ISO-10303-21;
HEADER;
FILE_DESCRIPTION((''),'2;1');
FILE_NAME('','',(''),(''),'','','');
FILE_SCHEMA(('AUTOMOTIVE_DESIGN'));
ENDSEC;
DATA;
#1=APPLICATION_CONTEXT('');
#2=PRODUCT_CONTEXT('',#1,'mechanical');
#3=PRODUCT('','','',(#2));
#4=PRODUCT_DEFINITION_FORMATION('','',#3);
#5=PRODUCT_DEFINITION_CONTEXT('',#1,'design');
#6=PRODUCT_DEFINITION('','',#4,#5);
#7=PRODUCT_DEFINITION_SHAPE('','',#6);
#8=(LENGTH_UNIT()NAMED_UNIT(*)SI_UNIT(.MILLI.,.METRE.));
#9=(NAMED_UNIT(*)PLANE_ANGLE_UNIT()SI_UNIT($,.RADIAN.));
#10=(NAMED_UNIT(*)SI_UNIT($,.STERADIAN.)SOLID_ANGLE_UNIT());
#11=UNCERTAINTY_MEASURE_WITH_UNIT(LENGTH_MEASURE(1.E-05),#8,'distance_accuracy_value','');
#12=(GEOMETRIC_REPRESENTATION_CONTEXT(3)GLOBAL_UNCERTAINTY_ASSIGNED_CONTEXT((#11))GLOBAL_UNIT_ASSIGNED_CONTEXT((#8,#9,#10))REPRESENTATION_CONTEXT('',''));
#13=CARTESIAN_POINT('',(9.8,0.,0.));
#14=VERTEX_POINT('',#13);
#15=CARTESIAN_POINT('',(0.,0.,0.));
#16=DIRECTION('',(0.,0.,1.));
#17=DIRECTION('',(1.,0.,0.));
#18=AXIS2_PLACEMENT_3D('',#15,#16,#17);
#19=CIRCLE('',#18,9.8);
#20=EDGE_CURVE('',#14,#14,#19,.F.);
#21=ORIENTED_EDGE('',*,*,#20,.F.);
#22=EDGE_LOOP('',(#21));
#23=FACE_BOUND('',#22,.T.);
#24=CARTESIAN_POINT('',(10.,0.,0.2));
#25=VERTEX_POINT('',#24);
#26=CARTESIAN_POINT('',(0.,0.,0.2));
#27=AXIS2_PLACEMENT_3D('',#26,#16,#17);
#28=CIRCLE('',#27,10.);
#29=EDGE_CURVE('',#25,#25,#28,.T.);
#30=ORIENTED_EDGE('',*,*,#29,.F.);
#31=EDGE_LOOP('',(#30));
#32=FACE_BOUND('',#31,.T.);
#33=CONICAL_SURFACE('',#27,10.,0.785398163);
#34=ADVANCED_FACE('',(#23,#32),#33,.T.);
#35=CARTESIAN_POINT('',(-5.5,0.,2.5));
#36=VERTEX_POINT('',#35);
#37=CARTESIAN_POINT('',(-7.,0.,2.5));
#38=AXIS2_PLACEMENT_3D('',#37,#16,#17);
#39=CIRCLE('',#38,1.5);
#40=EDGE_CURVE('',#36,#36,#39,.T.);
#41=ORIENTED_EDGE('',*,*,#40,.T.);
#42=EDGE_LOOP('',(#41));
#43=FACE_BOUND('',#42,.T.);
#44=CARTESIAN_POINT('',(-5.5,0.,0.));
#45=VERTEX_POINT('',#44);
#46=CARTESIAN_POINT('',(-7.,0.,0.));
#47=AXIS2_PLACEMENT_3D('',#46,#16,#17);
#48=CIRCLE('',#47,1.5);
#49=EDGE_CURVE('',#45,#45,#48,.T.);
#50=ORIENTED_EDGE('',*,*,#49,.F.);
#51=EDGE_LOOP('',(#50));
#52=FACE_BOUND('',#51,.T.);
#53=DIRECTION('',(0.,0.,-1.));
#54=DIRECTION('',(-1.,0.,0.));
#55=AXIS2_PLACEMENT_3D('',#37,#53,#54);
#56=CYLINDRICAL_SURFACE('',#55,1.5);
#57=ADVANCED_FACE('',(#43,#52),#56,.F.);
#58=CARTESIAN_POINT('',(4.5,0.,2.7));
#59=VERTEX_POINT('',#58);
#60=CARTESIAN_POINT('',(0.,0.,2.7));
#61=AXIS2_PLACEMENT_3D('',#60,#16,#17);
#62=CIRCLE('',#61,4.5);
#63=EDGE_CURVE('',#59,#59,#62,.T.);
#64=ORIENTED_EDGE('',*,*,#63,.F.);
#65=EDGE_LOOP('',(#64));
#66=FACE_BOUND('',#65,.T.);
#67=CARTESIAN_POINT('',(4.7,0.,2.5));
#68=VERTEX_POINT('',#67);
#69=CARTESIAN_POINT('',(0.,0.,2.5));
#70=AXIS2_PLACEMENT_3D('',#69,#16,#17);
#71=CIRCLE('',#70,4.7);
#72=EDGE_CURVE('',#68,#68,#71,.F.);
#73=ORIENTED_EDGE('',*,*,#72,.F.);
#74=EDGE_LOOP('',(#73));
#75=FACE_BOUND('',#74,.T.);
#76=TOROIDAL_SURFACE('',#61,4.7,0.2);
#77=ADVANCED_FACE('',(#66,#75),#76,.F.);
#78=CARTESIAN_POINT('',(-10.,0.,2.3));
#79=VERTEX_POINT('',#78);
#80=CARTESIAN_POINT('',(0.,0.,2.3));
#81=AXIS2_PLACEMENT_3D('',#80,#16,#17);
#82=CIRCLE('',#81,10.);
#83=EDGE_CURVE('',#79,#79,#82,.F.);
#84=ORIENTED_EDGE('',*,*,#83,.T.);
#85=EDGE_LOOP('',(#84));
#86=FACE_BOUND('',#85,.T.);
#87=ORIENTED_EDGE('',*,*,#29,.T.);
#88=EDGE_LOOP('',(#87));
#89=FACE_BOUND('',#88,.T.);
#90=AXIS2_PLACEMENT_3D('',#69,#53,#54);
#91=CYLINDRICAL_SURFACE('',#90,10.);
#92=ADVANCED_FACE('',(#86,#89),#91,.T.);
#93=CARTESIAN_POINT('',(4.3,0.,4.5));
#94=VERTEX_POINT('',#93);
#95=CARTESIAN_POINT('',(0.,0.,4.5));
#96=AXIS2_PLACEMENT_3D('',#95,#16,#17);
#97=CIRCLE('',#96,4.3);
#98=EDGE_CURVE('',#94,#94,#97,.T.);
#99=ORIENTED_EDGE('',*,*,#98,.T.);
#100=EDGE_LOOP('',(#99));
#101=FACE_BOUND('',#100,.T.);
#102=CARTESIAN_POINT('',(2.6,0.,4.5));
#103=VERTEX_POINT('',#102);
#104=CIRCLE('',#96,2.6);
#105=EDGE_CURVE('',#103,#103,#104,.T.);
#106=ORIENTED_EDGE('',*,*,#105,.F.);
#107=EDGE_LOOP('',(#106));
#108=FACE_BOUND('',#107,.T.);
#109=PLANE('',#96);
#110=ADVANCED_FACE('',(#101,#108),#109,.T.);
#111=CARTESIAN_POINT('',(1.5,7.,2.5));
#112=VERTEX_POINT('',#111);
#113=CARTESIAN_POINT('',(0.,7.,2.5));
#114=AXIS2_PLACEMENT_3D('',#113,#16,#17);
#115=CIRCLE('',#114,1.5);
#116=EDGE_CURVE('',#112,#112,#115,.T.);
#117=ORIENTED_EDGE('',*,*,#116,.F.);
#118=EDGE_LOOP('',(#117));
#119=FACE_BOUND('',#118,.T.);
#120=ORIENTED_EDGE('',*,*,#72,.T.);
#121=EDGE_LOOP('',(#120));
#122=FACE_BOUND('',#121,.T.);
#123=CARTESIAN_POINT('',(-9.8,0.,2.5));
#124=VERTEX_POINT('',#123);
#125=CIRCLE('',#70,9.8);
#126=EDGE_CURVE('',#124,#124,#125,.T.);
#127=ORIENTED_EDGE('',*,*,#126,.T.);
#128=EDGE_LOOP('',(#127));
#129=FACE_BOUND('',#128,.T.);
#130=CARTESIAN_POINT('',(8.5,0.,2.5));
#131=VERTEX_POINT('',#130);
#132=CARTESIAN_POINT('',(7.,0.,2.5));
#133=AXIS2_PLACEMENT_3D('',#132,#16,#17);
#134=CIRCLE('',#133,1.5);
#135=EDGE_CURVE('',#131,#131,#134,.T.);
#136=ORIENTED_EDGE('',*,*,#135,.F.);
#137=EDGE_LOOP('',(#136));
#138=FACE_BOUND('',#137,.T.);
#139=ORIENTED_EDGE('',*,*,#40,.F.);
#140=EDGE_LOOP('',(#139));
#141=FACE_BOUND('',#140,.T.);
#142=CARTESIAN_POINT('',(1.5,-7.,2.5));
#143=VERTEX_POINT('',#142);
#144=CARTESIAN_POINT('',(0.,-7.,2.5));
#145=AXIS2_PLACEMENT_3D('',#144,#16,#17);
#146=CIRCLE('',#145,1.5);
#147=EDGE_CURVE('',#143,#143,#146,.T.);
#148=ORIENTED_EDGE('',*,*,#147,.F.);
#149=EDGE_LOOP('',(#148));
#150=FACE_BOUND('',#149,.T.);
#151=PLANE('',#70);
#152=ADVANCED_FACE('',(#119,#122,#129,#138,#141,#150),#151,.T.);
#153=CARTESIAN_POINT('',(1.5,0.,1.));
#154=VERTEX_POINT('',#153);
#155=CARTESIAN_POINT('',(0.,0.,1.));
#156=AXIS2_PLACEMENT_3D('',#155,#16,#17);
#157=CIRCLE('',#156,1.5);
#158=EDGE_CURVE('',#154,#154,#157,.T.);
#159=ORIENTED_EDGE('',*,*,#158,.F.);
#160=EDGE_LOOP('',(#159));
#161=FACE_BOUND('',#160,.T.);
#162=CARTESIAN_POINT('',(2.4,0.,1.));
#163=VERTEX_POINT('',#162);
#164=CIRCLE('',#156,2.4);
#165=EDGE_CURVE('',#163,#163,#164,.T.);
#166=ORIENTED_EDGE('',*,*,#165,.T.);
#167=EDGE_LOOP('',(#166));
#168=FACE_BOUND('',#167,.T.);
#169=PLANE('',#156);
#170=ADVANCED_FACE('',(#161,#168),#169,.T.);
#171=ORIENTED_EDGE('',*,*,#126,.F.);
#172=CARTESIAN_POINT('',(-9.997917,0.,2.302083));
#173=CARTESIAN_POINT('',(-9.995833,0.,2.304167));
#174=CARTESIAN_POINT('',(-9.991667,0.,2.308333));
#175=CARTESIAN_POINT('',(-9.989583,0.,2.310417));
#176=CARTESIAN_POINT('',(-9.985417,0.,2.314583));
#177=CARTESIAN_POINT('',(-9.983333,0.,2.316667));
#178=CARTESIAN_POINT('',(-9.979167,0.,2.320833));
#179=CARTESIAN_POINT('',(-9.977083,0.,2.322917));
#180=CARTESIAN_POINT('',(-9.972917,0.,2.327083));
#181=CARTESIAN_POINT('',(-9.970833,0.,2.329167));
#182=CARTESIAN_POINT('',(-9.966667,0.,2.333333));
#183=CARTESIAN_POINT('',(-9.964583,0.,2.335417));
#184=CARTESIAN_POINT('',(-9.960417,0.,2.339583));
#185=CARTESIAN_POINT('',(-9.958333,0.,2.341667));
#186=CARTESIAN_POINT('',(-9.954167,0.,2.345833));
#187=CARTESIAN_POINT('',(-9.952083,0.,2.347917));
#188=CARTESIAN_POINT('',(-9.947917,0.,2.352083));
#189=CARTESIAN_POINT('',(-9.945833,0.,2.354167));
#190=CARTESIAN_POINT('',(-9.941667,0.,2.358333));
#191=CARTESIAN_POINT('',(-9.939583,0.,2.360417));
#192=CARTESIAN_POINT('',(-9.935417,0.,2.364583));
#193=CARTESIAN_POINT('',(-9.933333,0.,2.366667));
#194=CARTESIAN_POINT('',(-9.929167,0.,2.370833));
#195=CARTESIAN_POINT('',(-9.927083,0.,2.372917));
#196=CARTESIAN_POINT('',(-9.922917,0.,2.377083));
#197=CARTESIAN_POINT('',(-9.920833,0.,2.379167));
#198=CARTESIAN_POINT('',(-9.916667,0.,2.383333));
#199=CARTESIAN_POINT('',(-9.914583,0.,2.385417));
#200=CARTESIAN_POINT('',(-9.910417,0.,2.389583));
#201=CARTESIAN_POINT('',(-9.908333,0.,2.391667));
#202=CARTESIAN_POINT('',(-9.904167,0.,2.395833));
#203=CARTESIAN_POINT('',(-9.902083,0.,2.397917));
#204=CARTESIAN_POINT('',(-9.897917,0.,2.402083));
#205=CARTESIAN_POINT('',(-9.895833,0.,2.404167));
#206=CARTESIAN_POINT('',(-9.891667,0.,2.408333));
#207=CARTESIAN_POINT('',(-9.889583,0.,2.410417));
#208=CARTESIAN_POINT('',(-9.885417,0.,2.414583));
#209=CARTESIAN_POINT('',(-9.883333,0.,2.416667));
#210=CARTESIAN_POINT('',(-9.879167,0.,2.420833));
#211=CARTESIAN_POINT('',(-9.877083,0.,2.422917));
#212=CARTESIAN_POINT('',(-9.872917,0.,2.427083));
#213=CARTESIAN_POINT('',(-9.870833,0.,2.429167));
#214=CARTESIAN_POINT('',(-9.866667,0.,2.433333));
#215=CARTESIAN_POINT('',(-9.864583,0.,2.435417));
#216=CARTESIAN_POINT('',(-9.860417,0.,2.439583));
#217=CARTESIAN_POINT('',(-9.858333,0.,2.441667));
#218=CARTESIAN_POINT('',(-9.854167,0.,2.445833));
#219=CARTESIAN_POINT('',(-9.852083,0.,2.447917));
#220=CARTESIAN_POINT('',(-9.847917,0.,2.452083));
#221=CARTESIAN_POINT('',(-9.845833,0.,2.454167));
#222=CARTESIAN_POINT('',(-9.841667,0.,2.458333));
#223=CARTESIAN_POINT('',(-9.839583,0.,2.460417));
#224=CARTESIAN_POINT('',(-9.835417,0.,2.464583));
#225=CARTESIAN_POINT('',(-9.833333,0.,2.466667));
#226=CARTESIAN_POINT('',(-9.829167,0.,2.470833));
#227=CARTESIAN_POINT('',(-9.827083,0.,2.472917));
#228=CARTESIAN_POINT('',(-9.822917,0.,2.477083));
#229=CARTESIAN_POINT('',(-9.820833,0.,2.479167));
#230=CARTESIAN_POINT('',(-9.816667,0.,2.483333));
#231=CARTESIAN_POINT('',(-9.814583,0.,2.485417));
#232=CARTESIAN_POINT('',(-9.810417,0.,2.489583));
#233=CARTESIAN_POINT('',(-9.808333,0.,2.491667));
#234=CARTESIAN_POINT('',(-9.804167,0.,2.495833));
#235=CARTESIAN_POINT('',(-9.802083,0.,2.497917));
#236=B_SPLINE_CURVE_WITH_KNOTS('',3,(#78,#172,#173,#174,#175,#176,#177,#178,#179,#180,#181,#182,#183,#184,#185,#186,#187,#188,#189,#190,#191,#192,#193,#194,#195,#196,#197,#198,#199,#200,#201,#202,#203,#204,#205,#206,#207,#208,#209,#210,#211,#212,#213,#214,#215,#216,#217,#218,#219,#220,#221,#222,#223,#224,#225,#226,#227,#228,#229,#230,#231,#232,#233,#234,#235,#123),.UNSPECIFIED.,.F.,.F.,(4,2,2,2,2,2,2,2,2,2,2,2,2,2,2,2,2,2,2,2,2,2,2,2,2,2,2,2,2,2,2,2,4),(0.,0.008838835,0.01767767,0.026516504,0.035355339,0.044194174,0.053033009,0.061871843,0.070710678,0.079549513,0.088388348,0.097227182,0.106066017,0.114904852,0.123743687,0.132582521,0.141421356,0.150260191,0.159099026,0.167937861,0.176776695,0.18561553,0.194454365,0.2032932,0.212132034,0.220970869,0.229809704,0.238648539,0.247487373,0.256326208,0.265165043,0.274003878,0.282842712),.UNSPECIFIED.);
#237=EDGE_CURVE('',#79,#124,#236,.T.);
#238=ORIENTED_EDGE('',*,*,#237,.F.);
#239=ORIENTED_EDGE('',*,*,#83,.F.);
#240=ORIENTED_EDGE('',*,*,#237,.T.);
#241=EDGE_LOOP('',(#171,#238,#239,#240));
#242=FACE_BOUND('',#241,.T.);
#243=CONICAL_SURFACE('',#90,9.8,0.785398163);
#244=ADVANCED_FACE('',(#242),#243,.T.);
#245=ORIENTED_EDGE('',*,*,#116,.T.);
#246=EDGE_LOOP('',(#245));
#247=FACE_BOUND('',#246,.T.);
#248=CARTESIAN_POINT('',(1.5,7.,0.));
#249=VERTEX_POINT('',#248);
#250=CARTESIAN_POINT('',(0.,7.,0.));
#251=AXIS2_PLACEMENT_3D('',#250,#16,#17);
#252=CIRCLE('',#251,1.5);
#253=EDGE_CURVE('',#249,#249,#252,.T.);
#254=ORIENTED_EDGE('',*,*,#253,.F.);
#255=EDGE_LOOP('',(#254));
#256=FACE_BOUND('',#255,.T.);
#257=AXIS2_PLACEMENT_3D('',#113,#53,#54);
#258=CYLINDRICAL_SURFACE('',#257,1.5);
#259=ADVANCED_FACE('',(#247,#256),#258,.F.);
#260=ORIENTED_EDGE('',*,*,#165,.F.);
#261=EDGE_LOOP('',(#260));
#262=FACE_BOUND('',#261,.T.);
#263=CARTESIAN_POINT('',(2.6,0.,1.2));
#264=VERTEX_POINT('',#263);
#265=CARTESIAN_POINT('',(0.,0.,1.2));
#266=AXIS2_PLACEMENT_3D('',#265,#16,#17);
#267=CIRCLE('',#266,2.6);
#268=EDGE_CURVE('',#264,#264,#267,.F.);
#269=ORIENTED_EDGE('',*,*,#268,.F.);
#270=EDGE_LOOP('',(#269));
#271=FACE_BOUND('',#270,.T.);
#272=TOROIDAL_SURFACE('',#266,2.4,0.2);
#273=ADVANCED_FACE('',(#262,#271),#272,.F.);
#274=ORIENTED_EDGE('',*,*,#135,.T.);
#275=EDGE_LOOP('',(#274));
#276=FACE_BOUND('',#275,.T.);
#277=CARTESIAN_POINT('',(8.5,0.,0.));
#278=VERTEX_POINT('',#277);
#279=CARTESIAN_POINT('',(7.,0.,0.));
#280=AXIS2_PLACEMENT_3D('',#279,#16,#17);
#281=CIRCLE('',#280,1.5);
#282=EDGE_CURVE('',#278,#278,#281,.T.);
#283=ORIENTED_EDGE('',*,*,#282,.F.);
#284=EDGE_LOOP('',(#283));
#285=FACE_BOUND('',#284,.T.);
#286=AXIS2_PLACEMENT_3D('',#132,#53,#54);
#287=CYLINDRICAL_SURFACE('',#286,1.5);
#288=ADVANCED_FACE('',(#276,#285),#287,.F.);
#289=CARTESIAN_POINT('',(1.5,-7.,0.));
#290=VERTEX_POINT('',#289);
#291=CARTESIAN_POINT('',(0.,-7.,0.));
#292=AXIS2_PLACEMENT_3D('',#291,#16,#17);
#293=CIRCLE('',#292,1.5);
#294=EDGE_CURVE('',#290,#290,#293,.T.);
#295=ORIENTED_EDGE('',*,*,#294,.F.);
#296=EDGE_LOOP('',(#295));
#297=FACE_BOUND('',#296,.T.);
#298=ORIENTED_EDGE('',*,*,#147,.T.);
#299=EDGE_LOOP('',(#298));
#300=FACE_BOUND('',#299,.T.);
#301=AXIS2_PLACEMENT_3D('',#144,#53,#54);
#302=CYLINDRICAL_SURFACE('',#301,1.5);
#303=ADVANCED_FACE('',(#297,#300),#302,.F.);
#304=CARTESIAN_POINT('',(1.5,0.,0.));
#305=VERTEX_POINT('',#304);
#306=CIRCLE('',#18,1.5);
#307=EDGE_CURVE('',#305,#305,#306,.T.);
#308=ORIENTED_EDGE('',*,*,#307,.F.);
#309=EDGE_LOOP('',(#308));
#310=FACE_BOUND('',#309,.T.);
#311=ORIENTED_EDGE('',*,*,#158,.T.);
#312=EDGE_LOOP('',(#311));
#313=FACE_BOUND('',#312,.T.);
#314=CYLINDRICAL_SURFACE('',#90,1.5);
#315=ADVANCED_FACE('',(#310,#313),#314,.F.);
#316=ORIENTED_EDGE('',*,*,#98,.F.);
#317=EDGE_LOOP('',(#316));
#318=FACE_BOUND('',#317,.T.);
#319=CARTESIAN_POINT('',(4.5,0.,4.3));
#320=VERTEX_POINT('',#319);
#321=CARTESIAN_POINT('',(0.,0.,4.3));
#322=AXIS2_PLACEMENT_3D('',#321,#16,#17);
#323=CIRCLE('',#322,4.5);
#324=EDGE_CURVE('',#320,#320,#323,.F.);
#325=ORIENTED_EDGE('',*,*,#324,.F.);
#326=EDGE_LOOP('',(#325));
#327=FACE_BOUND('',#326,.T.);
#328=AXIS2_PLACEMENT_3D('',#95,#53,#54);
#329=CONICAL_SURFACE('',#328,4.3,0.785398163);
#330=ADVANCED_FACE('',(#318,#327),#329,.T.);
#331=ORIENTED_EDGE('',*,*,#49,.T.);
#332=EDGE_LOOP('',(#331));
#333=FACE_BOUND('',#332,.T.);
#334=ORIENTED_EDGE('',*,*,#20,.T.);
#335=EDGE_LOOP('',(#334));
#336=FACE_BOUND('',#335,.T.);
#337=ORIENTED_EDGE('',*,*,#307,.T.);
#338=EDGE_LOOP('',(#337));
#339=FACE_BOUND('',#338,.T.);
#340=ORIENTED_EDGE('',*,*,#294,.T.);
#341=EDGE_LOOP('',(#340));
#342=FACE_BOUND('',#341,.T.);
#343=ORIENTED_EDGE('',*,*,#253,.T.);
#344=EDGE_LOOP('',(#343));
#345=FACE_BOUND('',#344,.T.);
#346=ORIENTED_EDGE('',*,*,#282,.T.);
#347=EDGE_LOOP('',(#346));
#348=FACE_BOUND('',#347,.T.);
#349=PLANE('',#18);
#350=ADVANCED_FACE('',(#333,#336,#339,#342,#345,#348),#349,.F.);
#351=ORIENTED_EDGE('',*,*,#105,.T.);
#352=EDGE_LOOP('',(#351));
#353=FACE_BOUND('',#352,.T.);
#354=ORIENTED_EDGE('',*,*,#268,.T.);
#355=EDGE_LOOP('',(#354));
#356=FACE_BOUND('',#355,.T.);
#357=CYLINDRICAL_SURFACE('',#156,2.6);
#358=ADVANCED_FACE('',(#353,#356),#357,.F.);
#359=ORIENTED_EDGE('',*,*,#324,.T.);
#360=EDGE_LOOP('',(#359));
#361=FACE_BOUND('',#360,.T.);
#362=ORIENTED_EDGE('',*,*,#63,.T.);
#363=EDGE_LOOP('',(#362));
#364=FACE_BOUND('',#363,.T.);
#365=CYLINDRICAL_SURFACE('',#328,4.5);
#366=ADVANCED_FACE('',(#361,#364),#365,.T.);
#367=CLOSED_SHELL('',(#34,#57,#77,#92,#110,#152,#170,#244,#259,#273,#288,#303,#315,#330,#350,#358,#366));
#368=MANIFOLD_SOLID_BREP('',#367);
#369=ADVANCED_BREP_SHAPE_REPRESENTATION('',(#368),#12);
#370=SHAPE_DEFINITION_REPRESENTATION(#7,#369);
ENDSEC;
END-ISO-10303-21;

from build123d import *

# Parameters (mm, degrees)
SKETCH1_R           = 10
SKETCH1_R_2         = 1.5
BOSS_EXTRUDE1_DEPTH = 2.5
SKETCH2_R           = 4.5
BOSS_EXTRUDE2_DEPTH = 2
SKETCH3_R           = 2.6
CUT_EXTRUDE1_DEPTH  = 3.5
CHAMFER1_SIZE       = 0.2
FILLET1_R           = 0.2


with BuildPart() as part:
    # Sketch1 → Boss-Extrude1 (new body)
    with BuildSketch(Plane.XY):
        Circle(SKETCH1_R)
        with Locations((0, 7)):
            Circle(SKETCH1_R_2, mode=Mode.SUBTRACT)
        with Locations((7, 0)):
            Circle(SKETCH1_R_2, mode=Mode.SUBTRACT)
        with Locations((0, -7)):
            Circle(SKETCH1_R_2, mode=Mode.SUBTRACT)
        with Locations((-7, 0)):
            Circle(SKETCH1_R_2, mode=Mode.SUBTRACT)
        Circle(SKETCH1_R_2, mode=Mode.SUBTRACT)
    extrude(amount=BOSS_EXTRUDE1_DEPTH)

    # Sketch2 → Boss-Extrude2 (add)
    with BuildSketch(Plane.XY.offset(2.5)):
        Circle(SKETCH2_R)
    extrude(amount=BOSS_EXTRUDE2_DEPTH)

    # Sketch3 → Cut-Extrude1 (cut)
    with BuildSketch(Plane.XY.offset(4.5)):
        Circle(SKETCH3_R)
    extrude(amount=-CUT_EXTRUDE1_DEPTH, mode=Mode.SUBTRACT)

    # Chamfer1
    chamfer1_edges = [part.edges().sort_by_distance(p)[0] for p in [
        (-10, 0, 0),
        (-4.5, 0, 4.5),
        (-10, 0, 2.5),
    ]]
    chamfer(chamfer1_edges, length=CHAMFER1_SIZE)

    # Fillet1
    fillet1_edges = [part.edges().sort_by_distance(p)[0] for p in [
        (-4.5, 0, 2.5),
        (-2.6, 0, 1),
    ]]
    fillet(fillet1_edges, radius=FILLET1_R)


solid = part.part
